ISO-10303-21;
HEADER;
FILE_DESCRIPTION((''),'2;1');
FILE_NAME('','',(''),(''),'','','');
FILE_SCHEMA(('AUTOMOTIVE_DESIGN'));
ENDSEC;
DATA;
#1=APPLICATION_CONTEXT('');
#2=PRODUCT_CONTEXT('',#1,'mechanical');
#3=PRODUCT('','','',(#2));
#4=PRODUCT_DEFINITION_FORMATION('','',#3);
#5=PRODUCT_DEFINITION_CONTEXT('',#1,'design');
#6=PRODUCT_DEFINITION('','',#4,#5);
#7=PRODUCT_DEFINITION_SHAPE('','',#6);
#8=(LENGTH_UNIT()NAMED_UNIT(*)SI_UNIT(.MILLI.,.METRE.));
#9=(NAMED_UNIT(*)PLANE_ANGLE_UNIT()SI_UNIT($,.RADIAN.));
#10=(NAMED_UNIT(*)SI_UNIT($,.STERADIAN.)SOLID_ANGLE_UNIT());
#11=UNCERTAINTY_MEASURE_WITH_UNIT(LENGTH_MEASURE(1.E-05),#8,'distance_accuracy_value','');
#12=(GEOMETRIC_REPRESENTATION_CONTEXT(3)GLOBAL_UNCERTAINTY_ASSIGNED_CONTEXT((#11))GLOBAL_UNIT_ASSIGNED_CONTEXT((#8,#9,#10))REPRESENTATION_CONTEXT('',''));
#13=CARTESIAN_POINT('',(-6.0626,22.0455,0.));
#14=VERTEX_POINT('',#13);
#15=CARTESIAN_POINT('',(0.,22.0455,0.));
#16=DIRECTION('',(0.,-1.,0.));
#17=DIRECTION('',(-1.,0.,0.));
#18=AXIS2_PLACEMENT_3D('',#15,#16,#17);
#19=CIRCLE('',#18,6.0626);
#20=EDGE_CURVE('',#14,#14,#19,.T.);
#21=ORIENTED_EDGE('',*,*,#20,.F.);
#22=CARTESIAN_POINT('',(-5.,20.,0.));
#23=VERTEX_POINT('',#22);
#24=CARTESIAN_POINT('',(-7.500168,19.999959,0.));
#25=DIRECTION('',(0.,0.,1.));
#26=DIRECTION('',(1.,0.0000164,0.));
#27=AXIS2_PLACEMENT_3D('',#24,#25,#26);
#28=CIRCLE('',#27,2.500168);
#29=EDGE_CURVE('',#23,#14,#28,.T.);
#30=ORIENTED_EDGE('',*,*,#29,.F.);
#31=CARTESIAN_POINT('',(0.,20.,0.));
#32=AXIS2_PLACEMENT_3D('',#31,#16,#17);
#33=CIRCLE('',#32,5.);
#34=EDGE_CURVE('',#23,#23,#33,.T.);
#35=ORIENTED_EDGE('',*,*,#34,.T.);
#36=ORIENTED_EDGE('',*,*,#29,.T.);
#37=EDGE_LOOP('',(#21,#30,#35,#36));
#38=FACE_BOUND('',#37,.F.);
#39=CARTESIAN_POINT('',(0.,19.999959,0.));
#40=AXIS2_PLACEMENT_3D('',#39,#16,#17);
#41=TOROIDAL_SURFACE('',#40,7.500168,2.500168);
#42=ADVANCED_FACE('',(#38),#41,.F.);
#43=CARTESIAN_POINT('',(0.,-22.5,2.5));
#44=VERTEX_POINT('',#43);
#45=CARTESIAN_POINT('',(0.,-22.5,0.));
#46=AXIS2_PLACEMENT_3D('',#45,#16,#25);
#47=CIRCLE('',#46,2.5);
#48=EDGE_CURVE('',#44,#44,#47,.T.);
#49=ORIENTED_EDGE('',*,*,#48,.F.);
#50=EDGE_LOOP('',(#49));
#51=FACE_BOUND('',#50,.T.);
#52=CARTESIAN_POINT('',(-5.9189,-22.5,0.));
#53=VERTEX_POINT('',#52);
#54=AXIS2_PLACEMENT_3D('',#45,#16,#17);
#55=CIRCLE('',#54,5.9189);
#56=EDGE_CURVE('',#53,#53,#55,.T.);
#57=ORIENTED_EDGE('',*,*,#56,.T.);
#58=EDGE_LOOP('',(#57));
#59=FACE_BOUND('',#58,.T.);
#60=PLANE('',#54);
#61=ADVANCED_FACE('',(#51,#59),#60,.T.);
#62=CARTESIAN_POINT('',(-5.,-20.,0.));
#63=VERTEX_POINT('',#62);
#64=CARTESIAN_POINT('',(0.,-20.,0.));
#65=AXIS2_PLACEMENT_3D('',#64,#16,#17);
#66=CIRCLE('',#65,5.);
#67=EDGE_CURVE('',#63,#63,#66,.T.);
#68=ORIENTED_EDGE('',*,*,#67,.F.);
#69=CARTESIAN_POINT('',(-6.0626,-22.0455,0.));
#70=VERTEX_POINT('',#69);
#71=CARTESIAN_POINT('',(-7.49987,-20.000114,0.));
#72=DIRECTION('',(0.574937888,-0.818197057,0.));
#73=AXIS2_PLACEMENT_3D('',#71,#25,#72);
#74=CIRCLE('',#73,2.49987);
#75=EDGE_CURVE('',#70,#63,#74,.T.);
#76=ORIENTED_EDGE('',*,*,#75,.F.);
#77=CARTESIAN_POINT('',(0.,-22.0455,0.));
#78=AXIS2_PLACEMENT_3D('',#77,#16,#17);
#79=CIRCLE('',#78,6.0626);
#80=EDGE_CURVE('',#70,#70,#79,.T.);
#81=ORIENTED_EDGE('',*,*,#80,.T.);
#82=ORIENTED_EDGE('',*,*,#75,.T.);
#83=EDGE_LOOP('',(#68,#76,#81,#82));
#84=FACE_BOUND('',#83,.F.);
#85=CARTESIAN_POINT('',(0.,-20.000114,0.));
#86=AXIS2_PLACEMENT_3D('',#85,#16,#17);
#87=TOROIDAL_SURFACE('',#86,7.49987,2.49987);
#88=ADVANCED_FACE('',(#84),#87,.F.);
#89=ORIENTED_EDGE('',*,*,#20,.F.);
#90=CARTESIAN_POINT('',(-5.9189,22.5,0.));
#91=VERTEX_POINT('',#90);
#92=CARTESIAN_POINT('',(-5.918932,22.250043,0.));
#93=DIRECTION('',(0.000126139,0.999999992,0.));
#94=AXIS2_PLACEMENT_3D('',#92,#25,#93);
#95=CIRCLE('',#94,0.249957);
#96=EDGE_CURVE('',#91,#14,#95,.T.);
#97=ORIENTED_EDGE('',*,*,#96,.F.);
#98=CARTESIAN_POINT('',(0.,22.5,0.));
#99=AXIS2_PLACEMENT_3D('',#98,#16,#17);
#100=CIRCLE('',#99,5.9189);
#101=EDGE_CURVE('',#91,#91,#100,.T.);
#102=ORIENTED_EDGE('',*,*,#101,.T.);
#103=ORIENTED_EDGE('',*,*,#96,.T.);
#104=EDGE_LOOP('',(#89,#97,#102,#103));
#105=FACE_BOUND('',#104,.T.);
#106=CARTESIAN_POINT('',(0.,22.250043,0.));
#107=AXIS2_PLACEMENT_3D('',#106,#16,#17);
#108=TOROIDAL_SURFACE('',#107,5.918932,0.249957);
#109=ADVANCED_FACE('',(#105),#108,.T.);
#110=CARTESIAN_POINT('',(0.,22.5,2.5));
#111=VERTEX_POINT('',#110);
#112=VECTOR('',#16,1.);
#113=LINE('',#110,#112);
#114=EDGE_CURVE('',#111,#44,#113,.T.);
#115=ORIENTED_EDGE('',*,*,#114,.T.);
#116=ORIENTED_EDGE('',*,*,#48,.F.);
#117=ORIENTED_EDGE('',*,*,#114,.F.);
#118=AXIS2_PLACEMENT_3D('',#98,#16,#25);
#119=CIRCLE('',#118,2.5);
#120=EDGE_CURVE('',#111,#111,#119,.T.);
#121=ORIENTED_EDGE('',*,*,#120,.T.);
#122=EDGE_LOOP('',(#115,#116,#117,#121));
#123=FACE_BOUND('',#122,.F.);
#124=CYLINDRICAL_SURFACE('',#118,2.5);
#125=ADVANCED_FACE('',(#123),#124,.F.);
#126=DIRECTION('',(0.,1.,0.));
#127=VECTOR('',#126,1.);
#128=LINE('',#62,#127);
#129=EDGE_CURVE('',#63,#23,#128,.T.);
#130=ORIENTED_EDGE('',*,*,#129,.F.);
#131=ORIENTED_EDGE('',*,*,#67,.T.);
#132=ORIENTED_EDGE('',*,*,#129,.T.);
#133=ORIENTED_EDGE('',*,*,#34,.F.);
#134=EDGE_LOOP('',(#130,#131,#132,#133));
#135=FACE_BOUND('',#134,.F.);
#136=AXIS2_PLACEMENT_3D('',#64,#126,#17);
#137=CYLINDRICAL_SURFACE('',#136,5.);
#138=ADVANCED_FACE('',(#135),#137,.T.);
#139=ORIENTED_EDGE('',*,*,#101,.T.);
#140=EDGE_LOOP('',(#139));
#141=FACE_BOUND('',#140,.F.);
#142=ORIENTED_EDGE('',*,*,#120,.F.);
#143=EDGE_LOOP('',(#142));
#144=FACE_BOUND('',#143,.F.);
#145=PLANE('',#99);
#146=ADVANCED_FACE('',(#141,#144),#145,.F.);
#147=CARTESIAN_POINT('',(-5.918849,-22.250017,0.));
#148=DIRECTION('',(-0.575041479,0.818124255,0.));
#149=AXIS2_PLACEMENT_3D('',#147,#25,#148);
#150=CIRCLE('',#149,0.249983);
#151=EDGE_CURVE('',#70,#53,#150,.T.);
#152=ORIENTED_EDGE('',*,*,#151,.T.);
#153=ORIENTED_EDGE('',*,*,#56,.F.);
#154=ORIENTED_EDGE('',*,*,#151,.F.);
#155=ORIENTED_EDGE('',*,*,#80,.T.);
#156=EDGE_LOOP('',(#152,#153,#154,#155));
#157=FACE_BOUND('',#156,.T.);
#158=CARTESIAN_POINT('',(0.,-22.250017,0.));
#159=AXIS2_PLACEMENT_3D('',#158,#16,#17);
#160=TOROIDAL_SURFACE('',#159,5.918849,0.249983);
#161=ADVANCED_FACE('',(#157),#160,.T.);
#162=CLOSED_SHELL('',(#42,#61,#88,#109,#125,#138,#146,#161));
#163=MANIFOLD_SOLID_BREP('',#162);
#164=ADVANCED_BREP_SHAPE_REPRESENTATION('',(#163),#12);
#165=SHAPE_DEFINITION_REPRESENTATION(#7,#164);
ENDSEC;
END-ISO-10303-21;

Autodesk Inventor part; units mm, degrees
ref_plane "YZ Plane" through (0, 0, 0) normal (1, 0, 0) x (0, 1, 0)
ref_plane "XZ Plane" through (0, 0, 0) normal (0, 1, 0) x (-1, 0, 0)
ref_plane "XY Plane" through (0, 0, 0) normal (0, 0, 1) x (1, 0, 0)
sketch "Sketch1" plane through (0, 0, 0) normal (0, 0, 1) x (1, 0, 0)
  line L0 (0, -20) -> (-5, -20)
  line L1 (-5, -20) -> (-5, 20)
  line L2 (-5, 20) -> (0, 20)
  line L3 (0, 20) -> (0, -20)
  circle A0 centre (-2.5, 20) radius 2.5
  line L4 (-5.9189, 22.5) -> (0, 22.5)
  arc A1 (-5, 20) -> (-6.0626, 22.0455) centre (-7.5, 20) ccw
  arc A2 (-5.9189, 22.5) -> (-6.0626, 22.0455) centre (-5.9189, 22.25) ccw
  line L5 (0, 20) -> (0, 22.5)
  circle A3 centre (-2.5, -20) radius 2.5
  line L6 (-5.9189, -22.5) -> (0, -22.5)
  line L7 (0, -22.5) -> (0, -20)
  arc A4 (-6.0626, -22.0455) -> (-5, -20) centre (-7.5, -20) ccw
  arc A5 (-6.0626, -22.0455) -> (-5.9189, -22.5) centre (-5.9189, -22.25) ccw
  point P0 (0, 0)
  point P1 (0, 0)
  point P2 (-7.5, 22.5)
  point P3 (-7.5, -22.5)
  dimension "d0" = 5
  dimension "d1" = 40
  dimension "d2" = 5
  dimension "d3" = 7.5
  dimension "d4" = 0.25
  dimension "d5" = 2.5
  dimension "d6" = 5
  dimension "d7" = 7.5
  dimension "d8" = 0.25
revolve "Revolution1" add sketch "Sketch1" angle 360 about axis through (0, 20, 0) along (0, -1, 0)
sketch "Sketch2" plane through (0, 22.5, 0) normal (0, 1, 0) x (1, 0, 0)
  point P0 (0, 0)
  point P1 (0, 0)
hole "Hole1" at (0, 22.5, 0) direction (0, -1, 0) diameter 5 end through all
equation "\"d0\" = Scaler"
equation "\"d2\" = Scaler"
equation "\"d3\" = 15 * Scaler"
equation "\"d4\" = 0.5 * Scaler"
equation "\"d5\" = 5 * Scaler"
equation "\"d6\" = Scaler"
equation "\"d7\" = 15 * Scaler"
equation "\"d8\" = 0.5 * Scaler"
equation "\"Scaler\" = 0.5"
properties part number "Top Level Pegs" material "PET Plastic"
